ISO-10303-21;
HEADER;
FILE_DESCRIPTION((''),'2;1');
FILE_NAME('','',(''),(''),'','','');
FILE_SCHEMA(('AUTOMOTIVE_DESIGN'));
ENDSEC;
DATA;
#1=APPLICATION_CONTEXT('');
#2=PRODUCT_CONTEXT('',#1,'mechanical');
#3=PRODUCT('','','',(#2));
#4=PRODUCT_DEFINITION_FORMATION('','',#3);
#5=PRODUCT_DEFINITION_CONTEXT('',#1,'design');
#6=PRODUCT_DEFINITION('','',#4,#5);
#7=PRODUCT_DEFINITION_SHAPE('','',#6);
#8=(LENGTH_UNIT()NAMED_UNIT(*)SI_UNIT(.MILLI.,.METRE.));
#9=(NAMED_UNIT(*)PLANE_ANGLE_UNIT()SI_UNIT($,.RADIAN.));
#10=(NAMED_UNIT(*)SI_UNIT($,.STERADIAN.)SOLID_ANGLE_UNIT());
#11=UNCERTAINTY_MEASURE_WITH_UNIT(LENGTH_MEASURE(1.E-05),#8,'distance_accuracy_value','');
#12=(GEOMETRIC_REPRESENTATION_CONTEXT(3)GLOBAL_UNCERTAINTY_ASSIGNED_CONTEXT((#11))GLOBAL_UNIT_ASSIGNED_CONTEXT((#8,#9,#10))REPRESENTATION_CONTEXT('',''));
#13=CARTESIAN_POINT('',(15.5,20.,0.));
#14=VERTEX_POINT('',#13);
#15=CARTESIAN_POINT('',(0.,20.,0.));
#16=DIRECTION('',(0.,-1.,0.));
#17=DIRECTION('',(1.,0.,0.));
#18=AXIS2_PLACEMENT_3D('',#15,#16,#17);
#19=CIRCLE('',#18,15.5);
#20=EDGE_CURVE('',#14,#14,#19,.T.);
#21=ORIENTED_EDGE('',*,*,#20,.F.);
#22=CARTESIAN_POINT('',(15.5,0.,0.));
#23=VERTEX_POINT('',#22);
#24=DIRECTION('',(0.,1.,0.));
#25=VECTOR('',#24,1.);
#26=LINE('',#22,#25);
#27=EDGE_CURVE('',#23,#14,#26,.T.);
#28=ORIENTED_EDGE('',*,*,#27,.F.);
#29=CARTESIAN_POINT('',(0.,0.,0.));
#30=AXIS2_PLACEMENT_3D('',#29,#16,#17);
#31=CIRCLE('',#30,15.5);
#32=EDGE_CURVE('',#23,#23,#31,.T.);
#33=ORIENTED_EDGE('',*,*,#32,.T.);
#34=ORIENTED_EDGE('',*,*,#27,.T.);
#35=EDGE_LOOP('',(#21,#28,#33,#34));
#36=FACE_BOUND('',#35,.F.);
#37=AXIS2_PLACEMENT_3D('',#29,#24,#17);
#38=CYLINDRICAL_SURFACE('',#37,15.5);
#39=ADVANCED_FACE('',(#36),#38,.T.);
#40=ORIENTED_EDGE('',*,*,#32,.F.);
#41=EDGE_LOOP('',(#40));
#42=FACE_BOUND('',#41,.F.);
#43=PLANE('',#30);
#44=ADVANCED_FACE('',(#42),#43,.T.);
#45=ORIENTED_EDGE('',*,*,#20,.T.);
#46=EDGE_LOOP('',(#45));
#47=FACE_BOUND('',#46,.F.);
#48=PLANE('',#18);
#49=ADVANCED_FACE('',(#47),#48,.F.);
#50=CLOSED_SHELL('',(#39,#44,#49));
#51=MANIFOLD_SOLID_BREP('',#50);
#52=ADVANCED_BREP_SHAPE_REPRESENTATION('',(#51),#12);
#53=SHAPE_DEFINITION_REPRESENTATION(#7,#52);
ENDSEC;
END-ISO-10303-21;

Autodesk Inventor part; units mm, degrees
ref_plane "YZ Plane" through (0, 0, 0) normal (1, 0, 0) x (0, 1, 0)
ref_plane "XZ Plane" through (0, 0, 0) normal (0, 1, 0) x (-1, 0, 0)
ref_plane "XY Plane" through (0, 0, 0) normal (0, 0, 1) x (1, 0, 0)
sketch "Sketch1" plane through (0, 0, 0) normal (0, 0, 1) x (1, 0, 0)
  line L0 (0, 0) -> (15.5, 0)
  line L1 (15.5, 0) -> (15.5, 20)
  line L2 (15.5, 20) -> (0, 20)
  line L3 (0, 20) -> (0, 0)
  dimension "d0" = 20
  dimension "d1" = 15.5
revolve "Revolution1" add sketch "Sketch1" angle 360 about axis through (0, 20, 0) along (0, -1, 0)
properties part number "bulkhead" material "Concrete"
